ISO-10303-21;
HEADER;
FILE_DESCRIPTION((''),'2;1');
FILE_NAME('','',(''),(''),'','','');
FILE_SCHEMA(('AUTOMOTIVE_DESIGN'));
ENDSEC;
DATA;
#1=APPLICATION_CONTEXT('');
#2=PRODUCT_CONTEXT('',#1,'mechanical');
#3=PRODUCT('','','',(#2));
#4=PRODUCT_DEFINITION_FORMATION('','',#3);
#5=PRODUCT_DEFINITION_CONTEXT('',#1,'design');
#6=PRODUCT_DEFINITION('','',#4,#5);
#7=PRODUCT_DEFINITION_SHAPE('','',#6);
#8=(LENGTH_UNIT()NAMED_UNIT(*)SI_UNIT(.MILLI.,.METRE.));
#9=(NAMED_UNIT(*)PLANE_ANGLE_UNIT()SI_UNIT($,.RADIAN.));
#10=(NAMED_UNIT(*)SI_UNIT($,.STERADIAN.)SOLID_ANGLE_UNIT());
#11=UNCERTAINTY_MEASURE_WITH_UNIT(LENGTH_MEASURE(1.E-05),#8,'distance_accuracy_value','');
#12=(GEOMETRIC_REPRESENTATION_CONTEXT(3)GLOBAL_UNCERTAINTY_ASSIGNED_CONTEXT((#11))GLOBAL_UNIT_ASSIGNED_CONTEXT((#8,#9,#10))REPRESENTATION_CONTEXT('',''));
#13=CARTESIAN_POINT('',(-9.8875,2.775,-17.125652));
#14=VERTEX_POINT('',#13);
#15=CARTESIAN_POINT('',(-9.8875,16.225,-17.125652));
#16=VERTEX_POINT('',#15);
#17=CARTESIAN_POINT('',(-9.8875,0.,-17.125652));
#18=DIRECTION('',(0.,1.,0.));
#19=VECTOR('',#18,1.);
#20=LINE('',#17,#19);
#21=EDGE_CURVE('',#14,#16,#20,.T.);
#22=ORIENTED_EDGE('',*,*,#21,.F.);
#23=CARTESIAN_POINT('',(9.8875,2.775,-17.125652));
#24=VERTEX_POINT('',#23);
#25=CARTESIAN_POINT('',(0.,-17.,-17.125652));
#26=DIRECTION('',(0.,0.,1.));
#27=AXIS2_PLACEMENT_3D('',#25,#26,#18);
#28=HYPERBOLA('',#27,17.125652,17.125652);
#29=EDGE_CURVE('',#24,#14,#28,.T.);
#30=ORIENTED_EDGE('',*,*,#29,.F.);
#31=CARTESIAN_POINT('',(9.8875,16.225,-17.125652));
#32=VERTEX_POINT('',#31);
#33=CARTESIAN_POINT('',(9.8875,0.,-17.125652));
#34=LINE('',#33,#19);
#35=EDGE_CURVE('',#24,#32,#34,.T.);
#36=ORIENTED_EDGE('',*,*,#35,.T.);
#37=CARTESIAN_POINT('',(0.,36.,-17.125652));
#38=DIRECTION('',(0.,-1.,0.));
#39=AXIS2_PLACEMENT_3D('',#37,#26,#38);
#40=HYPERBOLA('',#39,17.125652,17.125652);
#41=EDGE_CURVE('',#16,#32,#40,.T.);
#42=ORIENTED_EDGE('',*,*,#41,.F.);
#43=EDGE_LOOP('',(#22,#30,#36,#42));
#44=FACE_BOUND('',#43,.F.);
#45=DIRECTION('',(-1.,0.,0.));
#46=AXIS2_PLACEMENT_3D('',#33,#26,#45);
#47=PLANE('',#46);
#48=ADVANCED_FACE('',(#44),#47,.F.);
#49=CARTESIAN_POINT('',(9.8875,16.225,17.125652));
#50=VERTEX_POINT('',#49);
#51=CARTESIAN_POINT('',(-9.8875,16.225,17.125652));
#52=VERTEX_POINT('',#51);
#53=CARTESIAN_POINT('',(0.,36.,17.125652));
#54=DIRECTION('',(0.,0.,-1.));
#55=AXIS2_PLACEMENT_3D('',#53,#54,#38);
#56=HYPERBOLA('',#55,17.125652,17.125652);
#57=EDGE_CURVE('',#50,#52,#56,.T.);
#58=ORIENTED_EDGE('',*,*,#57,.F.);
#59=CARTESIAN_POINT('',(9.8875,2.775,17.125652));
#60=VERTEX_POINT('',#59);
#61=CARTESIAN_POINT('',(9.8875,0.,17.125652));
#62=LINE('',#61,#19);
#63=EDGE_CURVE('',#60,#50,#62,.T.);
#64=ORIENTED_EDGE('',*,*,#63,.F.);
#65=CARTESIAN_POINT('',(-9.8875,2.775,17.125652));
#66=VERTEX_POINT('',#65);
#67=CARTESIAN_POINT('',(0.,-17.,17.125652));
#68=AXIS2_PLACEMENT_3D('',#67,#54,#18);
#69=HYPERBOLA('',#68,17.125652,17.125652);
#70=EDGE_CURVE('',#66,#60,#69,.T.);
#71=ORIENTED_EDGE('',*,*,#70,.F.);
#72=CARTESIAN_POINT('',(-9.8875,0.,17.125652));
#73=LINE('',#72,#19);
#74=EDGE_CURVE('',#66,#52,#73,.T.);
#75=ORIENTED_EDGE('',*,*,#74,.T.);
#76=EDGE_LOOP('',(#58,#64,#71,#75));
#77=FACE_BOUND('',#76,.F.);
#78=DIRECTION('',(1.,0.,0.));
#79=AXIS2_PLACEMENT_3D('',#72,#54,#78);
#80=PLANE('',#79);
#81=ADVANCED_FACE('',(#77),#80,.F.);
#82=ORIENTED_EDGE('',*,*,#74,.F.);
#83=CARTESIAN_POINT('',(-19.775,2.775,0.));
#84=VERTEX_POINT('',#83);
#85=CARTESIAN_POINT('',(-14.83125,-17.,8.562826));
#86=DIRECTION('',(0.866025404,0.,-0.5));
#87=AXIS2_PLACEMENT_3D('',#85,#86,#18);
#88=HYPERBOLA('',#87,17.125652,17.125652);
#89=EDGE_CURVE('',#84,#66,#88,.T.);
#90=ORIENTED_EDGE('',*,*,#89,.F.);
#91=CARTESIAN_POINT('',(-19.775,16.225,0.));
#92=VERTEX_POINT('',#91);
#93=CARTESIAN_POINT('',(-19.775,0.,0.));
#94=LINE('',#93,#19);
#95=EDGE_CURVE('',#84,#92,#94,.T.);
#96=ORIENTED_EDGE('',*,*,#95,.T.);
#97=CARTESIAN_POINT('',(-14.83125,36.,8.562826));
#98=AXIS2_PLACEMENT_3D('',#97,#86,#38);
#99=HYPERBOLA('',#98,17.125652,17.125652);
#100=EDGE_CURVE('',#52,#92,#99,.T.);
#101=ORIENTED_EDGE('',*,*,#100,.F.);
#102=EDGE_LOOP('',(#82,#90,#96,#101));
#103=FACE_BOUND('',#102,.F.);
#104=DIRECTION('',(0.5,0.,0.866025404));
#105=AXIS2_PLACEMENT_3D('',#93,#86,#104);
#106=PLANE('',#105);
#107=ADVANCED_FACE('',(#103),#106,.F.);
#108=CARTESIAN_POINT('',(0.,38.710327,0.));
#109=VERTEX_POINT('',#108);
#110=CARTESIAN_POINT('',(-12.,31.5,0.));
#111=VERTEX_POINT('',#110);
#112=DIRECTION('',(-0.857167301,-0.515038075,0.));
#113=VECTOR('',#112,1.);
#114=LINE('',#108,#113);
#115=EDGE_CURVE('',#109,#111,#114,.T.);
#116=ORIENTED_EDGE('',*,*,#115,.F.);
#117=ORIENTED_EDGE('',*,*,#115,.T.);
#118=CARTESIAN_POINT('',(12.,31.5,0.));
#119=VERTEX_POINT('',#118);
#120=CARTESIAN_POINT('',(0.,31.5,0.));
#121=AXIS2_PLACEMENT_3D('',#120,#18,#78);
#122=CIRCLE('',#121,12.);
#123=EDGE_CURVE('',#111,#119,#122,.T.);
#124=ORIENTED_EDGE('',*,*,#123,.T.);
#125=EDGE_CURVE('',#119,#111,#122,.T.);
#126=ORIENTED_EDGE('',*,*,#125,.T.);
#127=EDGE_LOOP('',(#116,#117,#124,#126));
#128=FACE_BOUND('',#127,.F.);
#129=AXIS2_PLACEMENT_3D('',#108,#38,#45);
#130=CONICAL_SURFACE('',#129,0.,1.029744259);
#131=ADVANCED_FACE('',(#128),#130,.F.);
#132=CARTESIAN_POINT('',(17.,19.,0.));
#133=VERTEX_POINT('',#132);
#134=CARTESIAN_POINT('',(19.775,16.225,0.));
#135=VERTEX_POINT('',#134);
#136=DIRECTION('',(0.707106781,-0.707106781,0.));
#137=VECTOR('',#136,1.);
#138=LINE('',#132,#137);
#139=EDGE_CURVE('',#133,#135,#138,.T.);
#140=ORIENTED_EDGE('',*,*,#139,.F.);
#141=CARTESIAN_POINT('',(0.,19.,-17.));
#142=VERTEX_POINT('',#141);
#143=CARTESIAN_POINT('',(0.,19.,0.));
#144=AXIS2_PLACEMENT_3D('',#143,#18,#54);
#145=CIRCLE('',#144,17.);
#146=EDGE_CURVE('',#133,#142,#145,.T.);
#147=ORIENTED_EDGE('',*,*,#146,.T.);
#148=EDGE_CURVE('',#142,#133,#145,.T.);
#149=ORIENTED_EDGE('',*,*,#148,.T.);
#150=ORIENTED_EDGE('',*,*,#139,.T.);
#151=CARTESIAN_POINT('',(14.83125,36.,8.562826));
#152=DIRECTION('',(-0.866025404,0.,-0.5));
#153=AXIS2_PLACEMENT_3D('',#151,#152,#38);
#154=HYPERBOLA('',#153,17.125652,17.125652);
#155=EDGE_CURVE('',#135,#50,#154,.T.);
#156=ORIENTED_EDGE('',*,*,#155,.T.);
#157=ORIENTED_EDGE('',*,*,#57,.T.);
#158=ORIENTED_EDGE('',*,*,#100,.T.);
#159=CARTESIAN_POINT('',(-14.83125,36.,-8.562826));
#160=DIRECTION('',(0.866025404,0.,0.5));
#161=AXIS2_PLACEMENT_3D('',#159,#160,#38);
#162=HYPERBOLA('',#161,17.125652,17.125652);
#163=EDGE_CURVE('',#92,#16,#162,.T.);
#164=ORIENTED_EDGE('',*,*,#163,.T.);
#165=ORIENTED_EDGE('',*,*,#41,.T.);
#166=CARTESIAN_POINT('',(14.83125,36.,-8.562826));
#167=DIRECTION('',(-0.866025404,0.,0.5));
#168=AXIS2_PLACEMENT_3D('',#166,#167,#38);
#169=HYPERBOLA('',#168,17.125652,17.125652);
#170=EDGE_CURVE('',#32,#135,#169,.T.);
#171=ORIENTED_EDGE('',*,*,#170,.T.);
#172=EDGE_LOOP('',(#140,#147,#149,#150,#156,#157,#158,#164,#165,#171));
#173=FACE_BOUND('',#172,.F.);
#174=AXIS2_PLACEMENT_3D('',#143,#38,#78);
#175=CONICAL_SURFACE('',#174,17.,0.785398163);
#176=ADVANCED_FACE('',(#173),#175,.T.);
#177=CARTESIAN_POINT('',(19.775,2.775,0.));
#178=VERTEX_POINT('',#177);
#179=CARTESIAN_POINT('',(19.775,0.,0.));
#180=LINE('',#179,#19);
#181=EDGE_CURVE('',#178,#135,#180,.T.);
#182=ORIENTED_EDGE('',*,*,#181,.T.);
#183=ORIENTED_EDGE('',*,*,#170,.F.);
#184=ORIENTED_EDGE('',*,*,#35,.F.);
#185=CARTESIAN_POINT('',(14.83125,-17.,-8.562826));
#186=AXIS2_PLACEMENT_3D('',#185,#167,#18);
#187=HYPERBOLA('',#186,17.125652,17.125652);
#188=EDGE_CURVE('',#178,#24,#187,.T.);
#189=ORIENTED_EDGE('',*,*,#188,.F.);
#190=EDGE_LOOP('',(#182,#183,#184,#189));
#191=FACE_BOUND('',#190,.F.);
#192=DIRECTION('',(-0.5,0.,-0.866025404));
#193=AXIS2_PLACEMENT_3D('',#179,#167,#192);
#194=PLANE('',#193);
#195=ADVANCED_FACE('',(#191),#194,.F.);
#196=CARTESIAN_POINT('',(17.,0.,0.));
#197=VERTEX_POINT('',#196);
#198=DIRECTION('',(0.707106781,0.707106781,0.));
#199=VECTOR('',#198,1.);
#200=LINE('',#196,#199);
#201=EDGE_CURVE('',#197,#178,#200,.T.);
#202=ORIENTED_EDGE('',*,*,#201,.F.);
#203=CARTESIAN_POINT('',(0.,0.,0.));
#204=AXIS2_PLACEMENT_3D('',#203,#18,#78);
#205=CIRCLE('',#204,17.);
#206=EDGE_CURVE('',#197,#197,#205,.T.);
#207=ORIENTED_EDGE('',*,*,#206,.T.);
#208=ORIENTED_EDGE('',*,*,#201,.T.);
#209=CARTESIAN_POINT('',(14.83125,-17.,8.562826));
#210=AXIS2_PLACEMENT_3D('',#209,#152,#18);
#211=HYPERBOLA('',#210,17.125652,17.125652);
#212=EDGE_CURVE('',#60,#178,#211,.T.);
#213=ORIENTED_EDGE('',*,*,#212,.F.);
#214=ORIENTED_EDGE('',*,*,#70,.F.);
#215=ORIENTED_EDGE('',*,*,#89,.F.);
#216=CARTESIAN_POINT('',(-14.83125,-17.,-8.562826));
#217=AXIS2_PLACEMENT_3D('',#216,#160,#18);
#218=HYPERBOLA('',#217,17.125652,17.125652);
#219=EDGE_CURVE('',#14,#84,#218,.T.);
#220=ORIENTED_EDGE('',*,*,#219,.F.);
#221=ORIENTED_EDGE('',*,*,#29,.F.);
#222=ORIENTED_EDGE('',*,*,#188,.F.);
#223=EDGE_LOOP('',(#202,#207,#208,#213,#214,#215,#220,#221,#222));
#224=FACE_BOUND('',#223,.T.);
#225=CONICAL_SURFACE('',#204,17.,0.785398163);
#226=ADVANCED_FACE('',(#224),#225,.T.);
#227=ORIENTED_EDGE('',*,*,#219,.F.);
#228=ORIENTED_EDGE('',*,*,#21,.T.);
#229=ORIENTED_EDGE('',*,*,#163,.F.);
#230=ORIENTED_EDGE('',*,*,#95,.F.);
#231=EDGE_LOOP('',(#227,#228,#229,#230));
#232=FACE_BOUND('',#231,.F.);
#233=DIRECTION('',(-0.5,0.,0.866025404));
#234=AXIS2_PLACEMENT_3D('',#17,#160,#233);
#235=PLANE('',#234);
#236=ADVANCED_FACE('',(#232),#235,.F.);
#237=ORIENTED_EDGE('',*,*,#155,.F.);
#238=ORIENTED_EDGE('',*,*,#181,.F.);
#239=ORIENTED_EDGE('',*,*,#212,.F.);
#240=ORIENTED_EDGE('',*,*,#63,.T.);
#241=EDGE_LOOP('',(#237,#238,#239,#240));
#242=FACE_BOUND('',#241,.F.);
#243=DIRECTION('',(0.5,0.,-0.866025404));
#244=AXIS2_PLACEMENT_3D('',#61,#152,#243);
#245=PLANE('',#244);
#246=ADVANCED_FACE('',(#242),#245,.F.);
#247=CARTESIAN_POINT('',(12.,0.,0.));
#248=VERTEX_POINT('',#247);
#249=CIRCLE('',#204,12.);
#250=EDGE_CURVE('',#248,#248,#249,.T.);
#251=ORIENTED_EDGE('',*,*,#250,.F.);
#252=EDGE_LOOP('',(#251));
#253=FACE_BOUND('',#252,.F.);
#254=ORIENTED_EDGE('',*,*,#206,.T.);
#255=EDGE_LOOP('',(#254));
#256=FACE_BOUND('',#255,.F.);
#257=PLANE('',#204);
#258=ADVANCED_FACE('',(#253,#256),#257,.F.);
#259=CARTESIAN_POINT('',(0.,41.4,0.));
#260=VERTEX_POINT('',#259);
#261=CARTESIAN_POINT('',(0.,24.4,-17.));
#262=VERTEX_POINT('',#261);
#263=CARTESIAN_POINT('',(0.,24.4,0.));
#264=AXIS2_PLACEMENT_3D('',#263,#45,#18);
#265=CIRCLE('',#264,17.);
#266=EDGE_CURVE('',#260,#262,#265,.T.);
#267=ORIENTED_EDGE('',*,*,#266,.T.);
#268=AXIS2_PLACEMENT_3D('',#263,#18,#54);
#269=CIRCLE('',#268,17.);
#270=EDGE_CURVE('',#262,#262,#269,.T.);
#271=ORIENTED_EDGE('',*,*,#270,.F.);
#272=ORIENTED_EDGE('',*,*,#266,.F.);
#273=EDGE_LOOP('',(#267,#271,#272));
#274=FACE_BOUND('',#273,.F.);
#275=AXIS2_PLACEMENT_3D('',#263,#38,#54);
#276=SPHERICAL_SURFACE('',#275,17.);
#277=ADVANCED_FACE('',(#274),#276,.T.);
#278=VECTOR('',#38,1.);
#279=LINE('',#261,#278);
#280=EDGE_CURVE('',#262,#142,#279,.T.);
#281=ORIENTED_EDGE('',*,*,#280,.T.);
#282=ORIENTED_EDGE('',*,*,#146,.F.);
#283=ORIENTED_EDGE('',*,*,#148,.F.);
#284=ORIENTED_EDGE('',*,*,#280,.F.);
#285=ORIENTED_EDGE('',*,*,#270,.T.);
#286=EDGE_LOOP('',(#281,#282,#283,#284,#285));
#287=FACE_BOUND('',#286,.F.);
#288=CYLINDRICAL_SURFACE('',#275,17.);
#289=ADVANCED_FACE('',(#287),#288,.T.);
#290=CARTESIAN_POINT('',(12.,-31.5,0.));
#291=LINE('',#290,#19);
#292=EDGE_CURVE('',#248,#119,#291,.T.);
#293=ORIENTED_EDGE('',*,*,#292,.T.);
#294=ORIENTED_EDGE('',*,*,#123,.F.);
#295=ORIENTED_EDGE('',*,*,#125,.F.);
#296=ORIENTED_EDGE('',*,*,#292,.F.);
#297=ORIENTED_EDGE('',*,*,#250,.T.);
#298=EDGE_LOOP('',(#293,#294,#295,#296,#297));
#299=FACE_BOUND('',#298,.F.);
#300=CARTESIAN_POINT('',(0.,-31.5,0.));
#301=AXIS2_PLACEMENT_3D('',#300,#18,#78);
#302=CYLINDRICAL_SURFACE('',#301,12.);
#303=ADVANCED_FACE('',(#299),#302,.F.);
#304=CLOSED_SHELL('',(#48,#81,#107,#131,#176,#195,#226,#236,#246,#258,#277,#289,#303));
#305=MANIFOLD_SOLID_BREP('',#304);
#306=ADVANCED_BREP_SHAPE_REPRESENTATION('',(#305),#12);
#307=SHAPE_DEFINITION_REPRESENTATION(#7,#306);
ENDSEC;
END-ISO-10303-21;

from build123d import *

# Parameters (mm, degrees)
BOSS_EXTRUDE1_DEPTH        = 19
F_20_0MM_DOWEL_HOLE1_D     = 24
F_20_0MM_DOWEL_HOLE1_DEPTH = 31.5
F_20_0MM_DOWEL_HOLE1_TIP   = 7.210327428


with BuildPart() as part:
    # Sketch1 → Boss-Extrude1 (new body)
    with BuildSketch(Plane(origin=(0, 0, 0), x_dir=(1, 0, 0), z_dir=(0, 1, 0))):
        Polygon((19.775, 0), (9.8875, 17.12565236), (-9.8875, 17.12565236), (-19.775, 0), (-9.8875, -17.12565236), (9.8875, -17.12565236), align=None)
    extrude(amount=BOSS_EXTRUDE1_DEPTH)

    # Sketch2 → Revolve1 (revolve)
    with BuildSketch(Plane.ZY):
        with BuildLine():
            Line((-17, 24.4), (-17, 19))
            Line((-17, 19), (0, 19))
            Line((0, 19), (0, 41.4))
            ThreePointArc((0, 41.4), (-12.02081528, 36.42081528), (-17, 24.4))
        make_face()
    revolve(axis=Axis((0, -1000, 0), (0, 1, 0)))

    # Ø20.0mm Dowel Hole1
    with Locations(Plane(origin=(0, 0, 0), x_dir=(-1, 0, 0), z_dir=(0, -1, 0))):
        with Locations((0, 0)):
            Hole(F_20_0MM_DOWEL_HOLE1_D / 2, depth=F_20_0MM_DOWEL_HOLE1_DEPTH)
            with Locations((0, 0, -(F_20_0MM_DOWEL_HOLE1_DEPTH + F_20_0MM_DOWEL_HOLE1_TIP / 2))):  # 118° drill point
                Cone(0, F_20_0MM_DOWEL_HOLE1_D / 2, F_20_0MM_DOWEL_HOLE1_TIP, mode=Mode.SUBTRACT)

    # Sketch6 → Cut-Revolve1 (revolve, cut)
    with BuildSketch(Plane.XY):
        Polygon((19.775, 19), (17, 19), (19.775, 16.225), align=None)
        Polygon((19.775, 2.775), (19.775, 0), (17, 0), align=None)
    revolve(axis=Axis((0, -1000, 0), (0, 1, 0)), mode=Mode.SUBTRACT)


solid = part.part
